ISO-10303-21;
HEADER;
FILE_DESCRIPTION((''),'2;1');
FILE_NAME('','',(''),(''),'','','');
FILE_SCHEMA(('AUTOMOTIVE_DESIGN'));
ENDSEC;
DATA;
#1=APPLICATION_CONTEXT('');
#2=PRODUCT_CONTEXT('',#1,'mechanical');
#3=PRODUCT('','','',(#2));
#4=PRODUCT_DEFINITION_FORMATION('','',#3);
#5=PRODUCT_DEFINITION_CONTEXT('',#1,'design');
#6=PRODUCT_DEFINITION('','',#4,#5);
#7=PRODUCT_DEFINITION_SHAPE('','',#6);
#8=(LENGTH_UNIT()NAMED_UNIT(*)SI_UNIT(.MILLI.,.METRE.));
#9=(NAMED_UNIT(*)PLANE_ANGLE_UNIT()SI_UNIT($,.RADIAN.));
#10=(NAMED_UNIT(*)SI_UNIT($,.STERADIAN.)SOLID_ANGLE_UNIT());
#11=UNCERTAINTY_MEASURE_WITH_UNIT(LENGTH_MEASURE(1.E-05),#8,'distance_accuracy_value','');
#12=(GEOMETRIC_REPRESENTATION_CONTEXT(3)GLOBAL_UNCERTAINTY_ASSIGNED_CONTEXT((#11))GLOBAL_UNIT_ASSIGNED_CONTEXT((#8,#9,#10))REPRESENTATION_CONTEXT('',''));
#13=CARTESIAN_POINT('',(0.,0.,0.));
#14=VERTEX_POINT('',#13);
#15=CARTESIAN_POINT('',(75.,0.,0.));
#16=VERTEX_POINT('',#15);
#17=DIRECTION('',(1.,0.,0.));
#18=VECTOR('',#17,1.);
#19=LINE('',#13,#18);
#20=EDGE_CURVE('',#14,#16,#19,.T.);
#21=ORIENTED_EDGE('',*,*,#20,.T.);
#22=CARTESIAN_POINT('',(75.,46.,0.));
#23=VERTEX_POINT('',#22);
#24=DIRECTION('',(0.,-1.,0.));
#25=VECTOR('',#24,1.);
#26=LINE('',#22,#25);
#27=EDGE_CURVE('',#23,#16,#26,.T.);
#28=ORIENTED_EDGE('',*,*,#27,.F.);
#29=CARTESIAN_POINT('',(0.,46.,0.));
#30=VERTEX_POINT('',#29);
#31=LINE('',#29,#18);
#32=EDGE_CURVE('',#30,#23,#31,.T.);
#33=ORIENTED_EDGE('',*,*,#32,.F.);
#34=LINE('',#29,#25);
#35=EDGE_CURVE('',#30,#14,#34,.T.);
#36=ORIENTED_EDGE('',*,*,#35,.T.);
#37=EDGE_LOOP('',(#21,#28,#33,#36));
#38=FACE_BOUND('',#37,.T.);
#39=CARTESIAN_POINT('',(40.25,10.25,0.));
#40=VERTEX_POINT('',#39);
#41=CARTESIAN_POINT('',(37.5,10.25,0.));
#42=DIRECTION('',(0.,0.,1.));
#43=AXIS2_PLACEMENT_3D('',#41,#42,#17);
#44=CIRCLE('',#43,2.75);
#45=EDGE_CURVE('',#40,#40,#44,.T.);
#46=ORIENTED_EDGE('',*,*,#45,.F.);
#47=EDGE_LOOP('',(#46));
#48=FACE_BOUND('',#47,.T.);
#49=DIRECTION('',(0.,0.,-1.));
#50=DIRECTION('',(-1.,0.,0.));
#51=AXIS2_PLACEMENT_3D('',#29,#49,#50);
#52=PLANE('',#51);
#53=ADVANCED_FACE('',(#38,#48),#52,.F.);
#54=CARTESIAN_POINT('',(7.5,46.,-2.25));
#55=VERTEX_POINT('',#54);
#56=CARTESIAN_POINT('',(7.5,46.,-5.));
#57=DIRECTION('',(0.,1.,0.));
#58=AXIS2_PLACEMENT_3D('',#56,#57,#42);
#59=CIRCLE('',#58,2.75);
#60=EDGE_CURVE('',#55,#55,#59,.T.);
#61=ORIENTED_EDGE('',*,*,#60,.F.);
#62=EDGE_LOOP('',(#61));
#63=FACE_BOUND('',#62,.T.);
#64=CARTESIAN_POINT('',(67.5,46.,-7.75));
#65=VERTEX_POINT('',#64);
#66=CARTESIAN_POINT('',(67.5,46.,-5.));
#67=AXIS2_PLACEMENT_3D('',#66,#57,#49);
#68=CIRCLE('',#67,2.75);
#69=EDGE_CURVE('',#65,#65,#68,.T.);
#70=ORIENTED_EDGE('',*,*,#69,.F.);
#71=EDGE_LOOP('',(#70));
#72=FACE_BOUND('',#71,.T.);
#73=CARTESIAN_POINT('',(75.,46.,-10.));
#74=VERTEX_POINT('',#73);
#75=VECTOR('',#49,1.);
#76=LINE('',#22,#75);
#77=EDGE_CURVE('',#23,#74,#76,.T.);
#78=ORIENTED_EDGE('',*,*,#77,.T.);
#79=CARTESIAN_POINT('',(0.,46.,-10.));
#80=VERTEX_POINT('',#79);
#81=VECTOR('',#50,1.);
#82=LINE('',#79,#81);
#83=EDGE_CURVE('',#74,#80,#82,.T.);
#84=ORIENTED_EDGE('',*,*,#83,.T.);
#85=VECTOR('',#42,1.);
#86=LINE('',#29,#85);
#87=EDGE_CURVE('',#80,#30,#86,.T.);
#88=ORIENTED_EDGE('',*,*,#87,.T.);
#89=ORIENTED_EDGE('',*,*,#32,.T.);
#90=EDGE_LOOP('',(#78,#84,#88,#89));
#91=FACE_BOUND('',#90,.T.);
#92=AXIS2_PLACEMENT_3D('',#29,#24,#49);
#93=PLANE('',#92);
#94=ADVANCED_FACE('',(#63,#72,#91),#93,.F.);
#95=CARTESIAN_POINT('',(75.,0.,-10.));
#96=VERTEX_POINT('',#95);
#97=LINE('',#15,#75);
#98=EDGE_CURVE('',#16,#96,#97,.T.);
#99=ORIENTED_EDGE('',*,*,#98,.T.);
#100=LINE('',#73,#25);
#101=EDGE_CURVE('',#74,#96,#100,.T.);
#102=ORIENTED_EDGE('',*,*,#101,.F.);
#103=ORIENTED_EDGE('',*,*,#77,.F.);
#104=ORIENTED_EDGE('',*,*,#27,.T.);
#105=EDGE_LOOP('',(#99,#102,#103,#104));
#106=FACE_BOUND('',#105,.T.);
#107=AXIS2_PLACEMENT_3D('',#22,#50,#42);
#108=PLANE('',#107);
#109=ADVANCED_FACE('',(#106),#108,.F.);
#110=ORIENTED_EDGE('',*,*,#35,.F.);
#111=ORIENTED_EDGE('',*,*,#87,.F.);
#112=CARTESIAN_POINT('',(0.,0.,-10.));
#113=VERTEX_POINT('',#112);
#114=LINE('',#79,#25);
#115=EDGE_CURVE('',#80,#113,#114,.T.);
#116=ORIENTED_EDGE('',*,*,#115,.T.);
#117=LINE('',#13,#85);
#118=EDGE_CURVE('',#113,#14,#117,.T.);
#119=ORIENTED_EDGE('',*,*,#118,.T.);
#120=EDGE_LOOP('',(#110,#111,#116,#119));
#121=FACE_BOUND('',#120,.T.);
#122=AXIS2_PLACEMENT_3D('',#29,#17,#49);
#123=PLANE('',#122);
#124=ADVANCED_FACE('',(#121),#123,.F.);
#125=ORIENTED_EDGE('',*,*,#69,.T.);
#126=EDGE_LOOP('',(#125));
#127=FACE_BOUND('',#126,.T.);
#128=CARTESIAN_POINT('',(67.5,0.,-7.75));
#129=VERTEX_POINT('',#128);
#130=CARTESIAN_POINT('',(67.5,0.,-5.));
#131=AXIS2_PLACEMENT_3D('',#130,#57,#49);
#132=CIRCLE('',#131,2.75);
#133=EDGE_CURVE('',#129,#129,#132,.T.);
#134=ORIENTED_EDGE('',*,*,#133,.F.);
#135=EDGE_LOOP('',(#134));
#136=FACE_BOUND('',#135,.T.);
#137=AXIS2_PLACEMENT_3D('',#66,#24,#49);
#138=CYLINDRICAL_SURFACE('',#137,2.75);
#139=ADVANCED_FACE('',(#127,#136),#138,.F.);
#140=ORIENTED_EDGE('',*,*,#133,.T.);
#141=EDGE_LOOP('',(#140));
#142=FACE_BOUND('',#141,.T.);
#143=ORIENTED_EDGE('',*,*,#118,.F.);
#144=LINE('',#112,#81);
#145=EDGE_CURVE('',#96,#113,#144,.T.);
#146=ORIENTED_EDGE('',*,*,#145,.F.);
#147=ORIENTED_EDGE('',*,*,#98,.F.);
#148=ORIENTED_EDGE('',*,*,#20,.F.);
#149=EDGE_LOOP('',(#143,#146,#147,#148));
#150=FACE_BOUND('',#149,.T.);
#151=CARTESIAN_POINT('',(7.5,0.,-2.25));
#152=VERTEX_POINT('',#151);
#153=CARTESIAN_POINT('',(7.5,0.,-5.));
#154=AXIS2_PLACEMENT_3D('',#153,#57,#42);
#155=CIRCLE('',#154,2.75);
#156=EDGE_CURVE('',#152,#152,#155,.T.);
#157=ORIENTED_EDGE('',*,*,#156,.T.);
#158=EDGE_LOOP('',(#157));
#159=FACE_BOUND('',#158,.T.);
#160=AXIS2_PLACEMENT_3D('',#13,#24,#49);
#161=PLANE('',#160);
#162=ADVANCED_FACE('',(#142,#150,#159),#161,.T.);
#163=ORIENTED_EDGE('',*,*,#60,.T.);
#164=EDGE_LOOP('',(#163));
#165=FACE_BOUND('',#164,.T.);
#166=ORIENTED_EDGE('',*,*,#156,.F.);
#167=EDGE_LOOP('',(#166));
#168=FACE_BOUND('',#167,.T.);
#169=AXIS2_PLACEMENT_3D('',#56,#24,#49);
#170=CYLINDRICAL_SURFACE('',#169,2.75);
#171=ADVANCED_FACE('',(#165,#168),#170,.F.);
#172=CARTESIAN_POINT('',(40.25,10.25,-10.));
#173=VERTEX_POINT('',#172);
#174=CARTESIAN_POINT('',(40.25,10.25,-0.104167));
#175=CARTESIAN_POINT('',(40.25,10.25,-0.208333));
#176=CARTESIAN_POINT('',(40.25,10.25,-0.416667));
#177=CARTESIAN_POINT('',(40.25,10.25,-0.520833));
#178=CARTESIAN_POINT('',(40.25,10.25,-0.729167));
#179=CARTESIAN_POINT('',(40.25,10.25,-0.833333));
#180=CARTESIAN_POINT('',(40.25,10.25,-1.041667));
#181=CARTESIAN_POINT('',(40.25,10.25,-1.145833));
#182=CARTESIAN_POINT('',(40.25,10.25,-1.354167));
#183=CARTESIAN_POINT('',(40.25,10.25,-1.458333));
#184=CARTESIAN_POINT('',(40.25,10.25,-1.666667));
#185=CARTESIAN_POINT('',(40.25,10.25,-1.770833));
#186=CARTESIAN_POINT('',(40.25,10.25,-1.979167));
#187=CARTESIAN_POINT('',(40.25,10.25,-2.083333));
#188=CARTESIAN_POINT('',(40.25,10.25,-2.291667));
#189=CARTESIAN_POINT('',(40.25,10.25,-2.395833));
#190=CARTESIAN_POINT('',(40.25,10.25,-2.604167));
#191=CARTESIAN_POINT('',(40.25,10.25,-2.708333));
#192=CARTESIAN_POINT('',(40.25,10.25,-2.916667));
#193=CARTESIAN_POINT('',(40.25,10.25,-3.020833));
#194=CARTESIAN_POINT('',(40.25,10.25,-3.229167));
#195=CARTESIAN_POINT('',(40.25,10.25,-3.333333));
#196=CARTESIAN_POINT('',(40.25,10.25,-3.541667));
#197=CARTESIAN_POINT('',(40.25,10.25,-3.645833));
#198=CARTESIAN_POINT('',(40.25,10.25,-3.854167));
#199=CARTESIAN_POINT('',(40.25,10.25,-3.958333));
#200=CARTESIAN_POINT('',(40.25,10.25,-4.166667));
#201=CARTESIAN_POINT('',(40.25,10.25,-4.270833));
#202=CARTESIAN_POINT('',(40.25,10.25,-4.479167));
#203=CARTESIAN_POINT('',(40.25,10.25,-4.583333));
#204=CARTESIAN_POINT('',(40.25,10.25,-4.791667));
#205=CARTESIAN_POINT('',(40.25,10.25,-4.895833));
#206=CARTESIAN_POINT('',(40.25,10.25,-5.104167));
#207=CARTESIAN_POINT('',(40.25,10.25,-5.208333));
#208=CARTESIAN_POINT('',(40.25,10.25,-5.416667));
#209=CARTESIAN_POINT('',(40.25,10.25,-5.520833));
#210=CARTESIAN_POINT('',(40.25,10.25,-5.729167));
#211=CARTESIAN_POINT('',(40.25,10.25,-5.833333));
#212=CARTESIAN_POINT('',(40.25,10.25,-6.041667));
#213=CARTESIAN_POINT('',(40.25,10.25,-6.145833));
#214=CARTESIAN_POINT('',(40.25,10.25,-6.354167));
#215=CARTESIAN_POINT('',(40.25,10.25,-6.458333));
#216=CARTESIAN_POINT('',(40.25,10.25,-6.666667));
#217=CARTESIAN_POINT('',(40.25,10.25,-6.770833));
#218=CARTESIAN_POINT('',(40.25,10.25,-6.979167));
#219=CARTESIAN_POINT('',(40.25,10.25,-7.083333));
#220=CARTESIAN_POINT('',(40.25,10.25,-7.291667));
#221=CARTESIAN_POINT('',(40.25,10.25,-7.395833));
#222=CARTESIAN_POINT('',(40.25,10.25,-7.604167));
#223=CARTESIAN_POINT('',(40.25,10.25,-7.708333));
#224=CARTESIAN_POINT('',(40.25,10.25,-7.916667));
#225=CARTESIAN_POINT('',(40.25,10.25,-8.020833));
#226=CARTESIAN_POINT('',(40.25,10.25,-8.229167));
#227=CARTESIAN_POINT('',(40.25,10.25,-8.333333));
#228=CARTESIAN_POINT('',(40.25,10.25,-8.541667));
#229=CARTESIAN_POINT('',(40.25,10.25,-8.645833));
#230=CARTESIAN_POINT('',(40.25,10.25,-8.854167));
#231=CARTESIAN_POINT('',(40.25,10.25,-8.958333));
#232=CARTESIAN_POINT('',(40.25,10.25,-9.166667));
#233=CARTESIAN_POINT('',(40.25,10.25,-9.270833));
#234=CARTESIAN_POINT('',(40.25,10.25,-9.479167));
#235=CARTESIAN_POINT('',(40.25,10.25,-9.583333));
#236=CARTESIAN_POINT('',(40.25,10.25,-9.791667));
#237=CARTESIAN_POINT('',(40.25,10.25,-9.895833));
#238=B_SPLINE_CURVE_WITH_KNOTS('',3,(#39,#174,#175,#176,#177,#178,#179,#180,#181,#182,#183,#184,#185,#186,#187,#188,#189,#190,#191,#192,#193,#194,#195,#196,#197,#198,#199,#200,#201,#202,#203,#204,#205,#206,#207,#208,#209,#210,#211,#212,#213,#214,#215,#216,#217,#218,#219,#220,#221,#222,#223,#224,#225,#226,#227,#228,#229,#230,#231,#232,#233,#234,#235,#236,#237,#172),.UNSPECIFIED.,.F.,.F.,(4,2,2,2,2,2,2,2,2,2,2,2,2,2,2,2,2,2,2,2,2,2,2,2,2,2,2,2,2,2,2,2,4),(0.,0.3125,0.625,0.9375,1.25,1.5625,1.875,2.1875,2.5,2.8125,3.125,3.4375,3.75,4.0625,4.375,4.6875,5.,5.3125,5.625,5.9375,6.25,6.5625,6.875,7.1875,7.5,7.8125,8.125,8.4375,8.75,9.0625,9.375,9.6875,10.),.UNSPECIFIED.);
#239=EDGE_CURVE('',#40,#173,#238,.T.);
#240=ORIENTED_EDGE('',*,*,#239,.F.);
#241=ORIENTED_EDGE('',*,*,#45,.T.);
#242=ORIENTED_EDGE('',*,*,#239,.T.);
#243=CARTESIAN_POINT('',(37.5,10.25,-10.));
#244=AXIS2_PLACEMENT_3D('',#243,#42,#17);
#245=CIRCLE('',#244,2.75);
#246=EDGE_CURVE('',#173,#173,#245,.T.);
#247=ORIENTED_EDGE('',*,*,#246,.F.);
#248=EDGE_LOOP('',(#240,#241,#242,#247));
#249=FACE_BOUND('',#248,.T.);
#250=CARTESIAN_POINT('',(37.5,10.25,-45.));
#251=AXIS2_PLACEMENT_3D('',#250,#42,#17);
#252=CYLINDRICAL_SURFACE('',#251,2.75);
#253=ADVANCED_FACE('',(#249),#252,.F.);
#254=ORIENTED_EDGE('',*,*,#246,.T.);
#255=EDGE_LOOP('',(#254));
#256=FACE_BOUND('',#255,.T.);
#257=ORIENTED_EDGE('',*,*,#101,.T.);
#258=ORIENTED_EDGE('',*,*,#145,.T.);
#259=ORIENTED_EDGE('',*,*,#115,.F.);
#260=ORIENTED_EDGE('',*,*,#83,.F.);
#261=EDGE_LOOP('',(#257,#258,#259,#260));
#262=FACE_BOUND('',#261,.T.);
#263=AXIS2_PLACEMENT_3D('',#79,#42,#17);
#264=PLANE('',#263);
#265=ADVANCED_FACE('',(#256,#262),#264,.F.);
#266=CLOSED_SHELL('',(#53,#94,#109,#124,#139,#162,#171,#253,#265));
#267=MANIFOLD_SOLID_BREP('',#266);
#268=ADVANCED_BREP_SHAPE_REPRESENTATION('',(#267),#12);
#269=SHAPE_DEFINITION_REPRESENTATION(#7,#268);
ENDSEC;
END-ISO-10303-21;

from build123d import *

# Parameters (mm, degrees)
SKETCH1_W           = 75
SKETCH1_H           = 10
SKETCH1_R           = 2.75
BOSS_EXTRUDE1_DEPTH = 46
SKETCH3_R           = 2.75
CUT_EXTRUDE1_DEPTH  = 45


with BuildPart() as part:
    # Sketch1 → Boss-Extrude1 (new body)
    with BuildSketch(Plane(origin=(0, 0, 0), x_dir=(1, 0, 0), z_dir=(0, 1, 0))):
        with Locations((37.5, 5)):
            Rectangle(SKETCH1_W, SKETCH1_H)
        with Locations(Location((7.5, 5, 0), (0, 0, 270))):
            Circle(SKETCH1_R, mode=Mode.SUBTRACT)
        with Locations(Location((67.5, 5, 0), (0, 0, 90))):
            Circle(SKETCH1_R, mode=Mode.SUBTRACT)
    extrude(amount=BOSS_EXTRUDE1_DEPTH)

    # Sketch3 → Cut-Extrude1 (cut)
    with BuildSketch(Plane.XY):
        with Locations((37.5, 10.25)):
            Circle(SKETCH3_R)
    extrude(amount=-CUT_EXTRUDE1_DEPTH, mode=Mode.SUBTRACT)


solid = part.part
